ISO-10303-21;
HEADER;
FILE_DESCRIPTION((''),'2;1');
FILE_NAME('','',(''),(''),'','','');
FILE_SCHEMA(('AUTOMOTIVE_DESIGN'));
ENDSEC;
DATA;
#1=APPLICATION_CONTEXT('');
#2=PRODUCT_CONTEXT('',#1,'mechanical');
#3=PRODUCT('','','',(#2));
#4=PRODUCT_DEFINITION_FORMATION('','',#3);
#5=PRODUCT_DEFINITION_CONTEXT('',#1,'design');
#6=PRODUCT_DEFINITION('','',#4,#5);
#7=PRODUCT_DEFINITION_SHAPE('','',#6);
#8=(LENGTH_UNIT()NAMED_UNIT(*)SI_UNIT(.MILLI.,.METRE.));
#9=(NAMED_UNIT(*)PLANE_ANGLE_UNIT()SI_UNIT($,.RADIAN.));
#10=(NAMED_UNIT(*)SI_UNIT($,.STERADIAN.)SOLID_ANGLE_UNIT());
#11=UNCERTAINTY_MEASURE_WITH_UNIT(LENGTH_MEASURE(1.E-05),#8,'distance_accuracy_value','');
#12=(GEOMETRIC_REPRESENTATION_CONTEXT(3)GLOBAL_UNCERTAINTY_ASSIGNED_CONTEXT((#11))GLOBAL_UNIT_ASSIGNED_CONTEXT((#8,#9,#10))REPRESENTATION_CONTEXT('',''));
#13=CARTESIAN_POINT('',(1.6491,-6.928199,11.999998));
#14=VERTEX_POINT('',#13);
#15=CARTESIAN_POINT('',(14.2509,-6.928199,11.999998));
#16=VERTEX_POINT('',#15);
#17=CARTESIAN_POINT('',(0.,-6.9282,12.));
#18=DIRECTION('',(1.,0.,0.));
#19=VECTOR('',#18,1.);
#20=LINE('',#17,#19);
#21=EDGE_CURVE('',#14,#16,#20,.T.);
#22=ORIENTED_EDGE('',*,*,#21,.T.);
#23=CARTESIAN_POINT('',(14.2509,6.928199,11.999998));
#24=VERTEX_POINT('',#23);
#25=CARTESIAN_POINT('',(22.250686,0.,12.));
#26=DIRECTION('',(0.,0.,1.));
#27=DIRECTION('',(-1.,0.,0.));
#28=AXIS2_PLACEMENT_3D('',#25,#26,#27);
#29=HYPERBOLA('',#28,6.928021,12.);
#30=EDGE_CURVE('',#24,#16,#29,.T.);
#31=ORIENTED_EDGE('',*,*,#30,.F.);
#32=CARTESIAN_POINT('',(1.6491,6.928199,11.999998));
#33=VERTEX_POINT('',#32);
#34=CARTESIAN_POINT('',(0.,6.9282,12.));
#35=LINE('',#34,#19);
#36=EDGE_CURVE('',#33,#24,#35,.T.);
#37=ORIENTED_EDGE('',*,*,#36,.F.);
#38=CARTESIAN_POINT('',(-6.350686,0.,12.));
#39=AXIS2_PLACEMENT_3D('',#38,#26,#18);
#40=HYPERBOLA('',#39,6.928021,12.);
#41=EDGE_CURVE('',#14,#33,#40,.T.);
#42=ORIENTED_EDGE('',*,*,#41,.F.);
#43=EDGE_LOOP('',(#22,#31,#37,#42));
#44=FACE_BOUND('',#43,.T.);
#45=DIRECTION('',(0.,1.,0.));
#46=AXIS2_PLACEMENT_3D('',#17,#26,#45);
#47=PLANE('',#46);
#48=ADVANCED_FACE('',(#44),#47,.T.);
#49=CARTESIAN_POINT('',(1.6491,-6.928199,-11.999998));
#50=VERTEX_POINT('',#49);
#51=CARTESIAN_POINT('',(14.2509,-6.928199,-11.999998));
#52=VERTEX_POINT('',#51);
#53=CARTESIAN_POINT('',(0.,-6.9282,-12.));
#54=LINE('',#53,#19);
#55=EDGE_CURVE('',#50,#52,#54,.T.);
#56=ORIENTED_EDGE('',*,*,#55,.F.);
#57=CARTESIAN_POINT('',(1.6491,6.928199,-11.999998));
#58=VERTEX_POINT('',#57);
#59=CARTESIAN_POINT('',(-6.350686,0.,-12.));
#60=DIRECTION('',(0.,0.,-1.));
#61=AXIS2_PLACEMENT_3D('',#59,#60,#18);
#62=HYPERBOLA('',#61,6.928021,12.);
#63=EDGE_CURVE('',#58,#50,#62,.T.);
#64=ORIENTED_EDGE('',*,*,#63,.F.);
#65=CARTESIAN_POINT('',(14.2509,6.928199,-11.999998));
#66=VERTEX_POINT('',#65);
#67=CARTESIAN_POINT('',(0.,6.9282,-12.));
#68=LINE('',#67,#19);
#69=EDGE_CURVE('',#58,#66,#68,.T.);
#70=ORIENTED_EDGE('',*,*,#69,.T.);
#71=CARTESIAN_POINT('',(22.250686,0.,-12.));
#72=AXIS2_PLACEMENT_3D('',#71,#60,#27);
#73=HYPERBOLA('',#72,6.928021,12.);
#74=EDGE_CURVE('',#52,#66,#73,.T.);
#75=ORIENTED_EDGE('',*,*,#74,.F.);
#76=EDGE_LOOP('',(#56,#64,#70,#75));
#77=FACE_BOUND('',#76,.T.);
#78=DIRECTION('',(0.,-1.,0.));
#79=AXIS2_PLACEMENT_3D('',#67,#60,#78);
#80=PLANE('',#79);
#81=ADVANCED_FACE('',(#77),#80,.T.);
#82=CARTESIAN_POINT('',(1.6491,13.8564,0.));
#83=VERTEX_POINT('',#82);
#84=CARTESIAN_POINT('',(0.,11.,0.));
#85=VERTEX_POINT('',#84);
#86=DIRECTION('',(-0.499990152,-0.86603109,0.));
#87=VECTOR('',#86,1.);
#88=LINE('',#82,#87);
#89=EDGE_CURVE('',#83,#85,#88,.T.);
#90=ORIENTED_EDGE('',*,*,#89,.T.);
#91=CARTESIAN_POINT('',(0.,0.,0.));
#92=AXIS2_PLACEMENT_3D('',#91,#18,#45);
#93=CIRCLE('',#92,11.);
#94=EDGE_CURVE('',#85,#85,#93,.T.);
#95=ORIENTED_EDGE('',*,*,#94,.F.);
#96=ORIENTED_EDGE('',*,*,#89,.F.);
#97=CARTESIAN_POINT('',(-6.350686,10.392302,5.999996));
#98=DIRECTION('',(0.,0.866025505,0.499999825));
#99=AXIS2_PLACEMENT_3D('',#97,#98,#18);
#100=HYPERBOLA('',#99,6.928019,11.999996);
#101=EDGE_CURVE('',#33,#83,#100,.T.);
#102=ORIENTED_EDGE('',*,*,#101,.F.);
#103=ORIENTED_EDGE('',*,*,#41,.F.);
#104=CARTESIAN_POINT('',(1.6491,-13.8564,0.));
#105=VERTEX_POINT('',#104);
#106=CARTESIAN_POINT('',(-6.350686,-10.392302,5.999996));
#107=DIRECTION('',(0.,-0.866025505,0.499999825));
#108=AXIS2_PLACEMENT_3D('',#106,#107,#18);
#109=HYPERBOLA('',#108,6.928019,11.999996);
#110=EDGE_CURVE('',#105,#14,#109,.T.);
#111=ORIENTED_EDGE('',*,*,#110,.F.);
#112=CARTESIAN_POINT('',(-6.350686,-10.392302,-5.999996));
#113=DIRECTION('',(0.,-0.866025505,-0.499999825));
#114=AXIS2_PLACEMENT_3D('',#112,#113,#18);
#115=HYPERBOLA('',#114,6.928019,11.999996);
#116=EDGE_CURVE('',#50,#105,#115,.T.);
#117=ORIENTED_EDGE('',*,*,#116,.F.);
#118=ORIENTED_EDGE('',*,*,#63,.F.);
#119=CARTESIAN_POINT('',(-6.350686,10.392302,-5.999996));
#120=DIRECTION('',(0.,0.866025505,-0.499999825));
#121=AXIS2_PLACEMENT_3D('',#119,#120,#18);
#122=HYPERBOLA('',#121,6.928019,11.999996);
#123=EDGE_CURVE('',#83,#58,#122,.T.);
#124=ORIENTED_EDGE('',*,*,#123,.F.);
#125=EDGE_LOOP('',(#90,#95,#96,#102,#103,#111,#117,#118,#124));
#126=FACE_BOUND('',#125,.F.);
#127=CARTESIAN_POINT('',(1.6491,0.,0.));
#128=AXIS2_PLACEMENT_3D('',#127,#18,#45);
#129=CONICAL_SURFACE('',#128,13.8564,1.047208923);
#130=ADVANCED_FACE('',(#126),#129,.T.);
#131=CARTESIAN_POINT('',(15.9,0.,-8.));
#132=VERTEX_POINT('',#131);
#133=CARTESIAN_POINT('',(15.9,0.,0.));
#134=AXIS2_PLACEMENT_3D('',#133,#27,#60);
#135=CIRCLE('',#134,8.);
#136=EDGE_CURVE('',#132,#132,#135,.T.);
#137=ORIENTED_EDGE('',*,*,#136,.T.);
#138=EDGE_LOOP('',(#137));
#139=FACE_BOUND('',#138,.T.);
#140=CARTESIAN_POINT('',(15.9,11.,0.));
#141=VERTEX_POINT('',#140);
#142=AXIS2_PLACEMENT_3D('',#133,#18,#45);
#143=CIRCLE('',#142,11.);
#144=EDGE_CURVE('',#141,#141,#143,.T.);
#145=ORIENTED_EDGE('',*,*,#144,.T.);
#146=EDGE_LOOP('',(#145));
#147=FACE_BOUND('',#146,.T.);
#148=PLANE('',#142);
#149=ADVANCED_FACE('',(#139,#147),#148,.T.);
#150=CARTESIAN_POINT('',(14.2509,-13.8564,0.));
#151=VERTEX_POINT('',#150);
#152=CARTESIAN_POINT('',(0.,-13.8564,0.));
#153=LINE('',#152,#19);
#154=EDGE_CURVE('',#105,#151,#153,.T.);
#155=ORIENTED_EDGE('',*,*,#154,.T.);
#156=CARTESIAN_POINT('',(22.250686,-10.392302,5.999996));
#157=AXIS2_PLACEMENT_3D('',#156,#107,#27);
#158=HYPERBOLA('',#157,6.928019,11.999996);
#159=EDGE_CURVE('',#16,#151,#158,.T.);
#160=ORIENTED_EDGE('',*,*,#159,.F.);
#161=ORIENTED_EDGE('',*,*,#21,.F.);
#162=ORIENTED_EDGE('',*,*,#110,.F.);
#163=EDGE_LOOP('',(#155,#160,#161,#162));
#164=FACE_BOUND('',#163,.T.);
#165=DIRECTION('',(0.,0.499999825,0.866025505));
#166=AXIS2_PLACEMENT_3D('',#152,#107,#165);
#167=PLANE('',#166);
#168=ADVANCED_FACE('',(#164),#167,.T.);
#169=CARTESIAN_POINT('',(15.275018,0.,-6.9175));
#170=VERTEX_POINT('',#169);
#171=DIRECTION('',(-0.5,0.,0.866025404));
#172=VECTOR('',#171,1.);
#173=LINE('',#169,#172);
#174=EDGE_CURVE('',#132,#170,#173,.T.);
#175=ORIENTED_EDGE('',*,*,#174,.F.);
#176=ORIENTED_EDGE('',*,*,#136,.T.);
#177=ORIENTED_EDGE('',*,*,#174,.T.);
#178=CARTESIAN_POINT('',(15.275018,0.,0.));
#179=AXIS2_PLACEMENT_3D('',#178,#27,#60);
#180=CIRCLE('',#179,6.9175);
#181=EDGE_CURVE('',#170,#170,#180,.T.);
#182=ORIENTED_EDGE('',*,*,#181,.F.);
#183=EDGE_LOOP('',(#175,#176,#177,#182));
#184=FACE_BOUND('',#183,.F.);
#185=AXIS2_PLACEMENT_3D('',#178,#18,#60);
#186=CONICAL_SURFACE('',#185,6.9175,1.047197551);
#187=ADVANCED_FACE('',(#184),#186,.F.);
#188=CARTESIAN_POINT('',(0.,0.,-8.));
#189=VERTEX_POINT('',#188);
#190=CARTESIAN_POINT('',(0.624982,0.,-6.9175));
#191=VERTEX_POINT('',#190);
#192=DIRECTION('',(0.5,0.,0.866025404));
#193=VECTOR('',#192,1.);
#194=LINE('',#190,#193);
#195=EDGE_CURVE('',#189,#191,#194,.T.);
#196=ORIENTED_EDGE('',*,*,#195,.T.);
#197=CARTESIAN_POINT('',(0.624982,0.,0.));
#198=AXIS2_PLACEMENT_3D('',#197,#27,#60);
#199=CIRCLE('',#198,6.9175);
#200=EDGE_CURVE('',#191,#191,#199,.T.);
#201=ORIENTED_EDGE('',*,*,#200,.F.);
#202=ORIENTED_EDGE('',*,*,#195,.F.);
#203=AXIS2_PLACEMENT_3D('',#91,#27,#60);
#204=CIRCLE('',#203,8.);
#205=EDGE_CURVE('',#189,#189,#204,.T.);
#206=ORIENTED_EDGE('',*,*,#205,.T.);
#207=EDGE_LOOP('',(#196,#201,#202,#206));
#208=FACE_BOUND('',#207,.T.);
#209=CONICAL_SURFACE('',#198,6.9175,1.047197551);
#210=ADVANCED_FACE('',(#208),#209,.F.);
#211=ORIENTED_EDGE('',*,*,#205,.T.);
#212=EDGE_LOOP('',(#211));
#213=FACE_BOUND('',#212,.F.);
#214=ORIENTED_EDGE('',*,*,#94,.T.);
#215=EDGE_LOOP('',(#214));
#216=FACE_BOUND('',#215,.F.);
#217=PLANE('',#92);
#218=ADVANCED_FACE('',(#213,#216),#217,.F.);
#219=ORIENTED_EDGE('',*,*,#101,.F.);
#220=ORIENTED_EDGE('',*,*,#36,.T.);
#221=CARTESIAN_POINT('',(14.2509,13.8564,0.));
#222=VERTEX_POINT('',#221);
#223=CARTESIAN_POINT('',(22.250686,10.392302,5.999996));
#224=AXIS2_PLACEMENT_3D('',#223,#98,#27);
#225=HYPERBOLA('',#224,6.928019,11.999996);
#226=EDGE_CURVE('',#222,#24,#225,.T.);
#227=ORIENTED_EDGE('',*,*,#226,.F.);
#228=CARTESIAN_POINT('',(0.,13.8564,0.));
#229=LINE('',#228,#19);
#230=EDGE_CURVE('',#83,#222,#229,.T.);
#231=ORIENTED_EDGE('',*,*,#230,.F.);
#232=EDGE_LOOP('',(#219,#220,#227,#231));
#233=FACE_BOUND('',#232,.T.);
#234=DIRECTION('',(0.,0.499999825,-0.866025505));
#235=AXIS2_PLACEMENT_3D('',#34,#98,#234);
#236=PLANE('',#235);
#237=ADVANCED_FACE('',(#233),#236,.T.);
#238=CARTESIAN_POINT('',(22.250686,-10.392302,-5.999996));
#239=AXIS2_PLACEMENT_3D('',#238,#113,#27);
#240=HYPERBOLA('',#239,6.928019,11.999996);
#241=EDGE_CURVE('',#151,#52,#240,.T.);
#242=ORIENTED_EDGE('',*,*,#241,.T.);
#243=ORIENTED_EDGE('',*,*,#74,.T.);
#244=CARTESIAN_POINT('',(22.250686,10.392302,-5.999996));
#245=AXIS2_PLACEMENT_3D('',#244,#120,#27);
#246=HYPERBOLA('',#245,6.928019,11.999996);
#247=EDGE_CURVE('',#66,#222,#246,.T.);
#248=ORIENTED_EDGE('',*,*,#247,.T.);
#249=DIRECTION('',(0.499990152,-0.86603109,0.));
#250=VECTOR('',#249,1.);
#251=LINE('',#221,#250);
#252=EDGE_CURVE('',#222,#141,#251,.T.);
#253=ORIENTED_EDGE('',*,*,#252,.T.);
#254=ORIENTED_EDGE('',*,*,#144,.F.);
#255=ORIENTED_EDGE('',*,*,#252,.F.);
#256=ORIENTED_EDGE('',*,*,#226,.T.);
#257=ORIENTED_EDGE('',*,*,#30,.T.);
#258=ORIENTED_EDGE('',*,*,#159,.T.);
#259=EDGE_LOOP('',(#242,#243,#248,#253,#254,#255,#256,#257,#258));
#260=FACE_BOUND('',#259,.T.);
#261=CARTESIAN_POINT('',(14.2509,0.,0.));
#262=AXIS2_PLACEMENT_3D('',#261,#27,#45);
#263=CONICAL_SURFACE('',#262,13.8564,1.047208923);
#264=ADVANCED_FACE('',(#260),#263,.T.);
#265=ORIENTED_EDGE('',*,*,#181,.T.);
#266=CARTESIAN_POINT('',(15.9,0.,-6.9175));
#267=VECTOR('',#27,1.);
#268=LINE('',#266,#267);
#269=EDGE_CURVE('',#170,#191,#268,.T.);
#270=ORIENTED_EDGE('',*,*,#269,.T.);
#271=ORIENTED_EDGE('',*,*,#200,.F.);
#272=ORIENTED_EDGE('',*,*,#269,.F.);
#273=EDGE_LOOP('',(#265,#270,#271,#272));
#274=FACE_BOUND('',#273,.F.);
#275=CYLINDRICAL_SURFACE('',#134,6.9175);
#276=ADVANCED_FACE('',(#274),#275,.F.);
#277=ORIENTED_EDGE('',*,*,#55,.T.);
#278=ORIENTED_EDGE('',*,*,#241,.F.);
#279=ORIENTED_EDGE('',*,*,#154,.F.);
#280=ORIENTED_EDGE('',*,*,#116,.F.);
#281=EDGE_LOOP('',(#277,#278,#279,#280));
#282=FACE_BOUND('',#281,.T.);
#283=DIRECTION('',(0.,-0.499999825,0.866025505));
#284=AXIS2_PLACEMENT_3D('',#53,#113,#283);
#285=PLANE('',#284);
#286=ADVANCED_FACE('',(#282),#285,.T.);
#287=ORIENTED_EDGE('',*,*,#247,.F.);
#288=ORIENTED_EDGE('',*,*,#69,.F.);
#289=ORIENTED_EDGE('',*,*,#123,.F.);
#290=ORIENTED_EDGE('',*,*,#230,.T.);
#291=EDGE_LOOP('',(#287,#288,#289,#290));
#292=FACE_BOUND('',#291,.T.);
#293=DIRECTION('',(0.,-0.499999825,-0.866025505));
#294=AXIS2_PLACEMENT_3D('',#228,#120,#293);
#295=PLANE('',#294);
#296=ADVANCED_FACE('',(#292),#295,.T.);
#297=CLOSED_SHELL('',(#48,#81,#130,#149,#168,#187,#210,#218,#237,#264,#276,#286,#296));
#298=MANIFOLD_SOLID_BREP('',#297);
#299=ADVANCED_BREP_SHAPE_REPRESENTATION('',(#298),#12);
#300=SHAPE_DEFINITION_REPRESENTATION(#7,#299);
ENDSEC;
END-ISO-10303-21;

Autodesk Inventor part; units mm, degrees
ref_plane "YZ Plane" through (0, 0, 0) normal (1, 0, 0) x (0, 1, 0)
ref_plane "XZ Plane" through (0, 0, 0) normal (0, 1, 0) x (-1, 0, 0)
sketch "Sketch1" plane through (0, 0, 0) normal (1, 0, 0) x (0, 1, 0)
  line L0 (-13.8564, 0) -> (-6.9282, 12)
  line L1 (-6.9282, 12) -> (6.9282, 12)
  line L2 (6.9282, 12) -> (13.8564, 0)
  line L3 (13.8564, 0) -> (6.9282, -12)
  line L4 (6.9282, -12) -> (-6.9282, -12)
  line L5 (-6.9282, -12) -> (-13.8564, 0)
  point P0 (0, 0)
  point P1 (0, 0)
  dimension "d0" = 27.7128
extrude "Body" add sketch "Sketch1" along normal blind 15.9
sketch "Sketch2" plane through (0, 0, 0) normal (0, 0, 1) x (1, 0, 0)
  line L0 (0, 6.9282) -> (0, 13.8564) projected
  line L1 (0, 13.8564) -> (15.9, 13.8564) projected
  line L2 (15.9, 6.9282) -> (15.9, 13.8564) projected
  line L3 (-3.18, 0) -> (19.08, 0) projected
  line L4 (1.6491, 13.8564) -> (0, 11)
  line L5 (14.2509, 13.8564) -> (15.9, 11)
  dimension "d3" = 30
  dimension "d4" = 30
  dimension "d5" = 22
  dimension "d6" = 22
revolve "Chamfer1" cut sketch "Sketch2" angle 360 about axis through (-10, 0, 0) along (1, 0, 0)
sketch "Sketch3" plane through (15.9, 0, 0) normal (1, 0, 0) x (0, 0, -1)
  arc A0 (-0.625, -1.0825) -> (0.625, -1.0825) centre (0, 0) ccw projected
hole "Thread" at (15.9, 0, 0) direction (-1, 0, 0) diameter 13.835 end through all thread size "M16x2" class "6H" standard "ISO Metric profile"
chamfer "Chamfer2" distance 1.0825 angle 30 1 edges at (15.9, 0, 6.9175) measured on face at (15.9, 9.5158, -1.1554)
chamfer "Chamfer3" distance 1.0825 angle 30 1 edges at (0, 0, 6.9175) measured on face at (0, 9.5158, -1.1554)
ref_plane "Work Plane1" through (-24.3445, 0, 0) normal (0, -0.866, -0.5) x (1, 0, 0)
equation "\"d0\" = 1.1547 * SW"
equation "\"d1\" = KOH"
equation "\"d3\" = ANG1"
equation "\"d4\" = ANG2"
equation "\"d5\" = SW0"
equation "\"d6\" = SW01"
equation "\"d8\" = -0.5 * GD1 + 0.5 * NND"
equation "\"d40\" = -0.5 * GD1 + 0.5 * NND"
equation "\"d10\" = -0.5 * GD1 + 0.5 * NND"
equation "\"d41\" = -0.5 * GD1 + 0.5 * NND"
equation "\"ANG1\" = 30deg"
equation "\"ANG2\" = 30deg"
equation "\"NND\" = 16"
equation "\"KOH\" = 15.9"
equation "\"SW\" = 24"
equation "\"SW0\" = 22"
equation "\"SW01\" = SW0"
equation "\"GUL\" = 0.541266 * PTC"
equation "\"THREADDIA\" = 16"
equation "\"TOA\" = 30deg"
equation "\"PTC\" = 2"
equation "\"E0\" = 1.155 * SW"
equation "\"GAL\" = 0.541266 * PTC"
equation "\"GD1\" = 13.834936"
properties part number "ISO 4034 - M16" material "Steel"
